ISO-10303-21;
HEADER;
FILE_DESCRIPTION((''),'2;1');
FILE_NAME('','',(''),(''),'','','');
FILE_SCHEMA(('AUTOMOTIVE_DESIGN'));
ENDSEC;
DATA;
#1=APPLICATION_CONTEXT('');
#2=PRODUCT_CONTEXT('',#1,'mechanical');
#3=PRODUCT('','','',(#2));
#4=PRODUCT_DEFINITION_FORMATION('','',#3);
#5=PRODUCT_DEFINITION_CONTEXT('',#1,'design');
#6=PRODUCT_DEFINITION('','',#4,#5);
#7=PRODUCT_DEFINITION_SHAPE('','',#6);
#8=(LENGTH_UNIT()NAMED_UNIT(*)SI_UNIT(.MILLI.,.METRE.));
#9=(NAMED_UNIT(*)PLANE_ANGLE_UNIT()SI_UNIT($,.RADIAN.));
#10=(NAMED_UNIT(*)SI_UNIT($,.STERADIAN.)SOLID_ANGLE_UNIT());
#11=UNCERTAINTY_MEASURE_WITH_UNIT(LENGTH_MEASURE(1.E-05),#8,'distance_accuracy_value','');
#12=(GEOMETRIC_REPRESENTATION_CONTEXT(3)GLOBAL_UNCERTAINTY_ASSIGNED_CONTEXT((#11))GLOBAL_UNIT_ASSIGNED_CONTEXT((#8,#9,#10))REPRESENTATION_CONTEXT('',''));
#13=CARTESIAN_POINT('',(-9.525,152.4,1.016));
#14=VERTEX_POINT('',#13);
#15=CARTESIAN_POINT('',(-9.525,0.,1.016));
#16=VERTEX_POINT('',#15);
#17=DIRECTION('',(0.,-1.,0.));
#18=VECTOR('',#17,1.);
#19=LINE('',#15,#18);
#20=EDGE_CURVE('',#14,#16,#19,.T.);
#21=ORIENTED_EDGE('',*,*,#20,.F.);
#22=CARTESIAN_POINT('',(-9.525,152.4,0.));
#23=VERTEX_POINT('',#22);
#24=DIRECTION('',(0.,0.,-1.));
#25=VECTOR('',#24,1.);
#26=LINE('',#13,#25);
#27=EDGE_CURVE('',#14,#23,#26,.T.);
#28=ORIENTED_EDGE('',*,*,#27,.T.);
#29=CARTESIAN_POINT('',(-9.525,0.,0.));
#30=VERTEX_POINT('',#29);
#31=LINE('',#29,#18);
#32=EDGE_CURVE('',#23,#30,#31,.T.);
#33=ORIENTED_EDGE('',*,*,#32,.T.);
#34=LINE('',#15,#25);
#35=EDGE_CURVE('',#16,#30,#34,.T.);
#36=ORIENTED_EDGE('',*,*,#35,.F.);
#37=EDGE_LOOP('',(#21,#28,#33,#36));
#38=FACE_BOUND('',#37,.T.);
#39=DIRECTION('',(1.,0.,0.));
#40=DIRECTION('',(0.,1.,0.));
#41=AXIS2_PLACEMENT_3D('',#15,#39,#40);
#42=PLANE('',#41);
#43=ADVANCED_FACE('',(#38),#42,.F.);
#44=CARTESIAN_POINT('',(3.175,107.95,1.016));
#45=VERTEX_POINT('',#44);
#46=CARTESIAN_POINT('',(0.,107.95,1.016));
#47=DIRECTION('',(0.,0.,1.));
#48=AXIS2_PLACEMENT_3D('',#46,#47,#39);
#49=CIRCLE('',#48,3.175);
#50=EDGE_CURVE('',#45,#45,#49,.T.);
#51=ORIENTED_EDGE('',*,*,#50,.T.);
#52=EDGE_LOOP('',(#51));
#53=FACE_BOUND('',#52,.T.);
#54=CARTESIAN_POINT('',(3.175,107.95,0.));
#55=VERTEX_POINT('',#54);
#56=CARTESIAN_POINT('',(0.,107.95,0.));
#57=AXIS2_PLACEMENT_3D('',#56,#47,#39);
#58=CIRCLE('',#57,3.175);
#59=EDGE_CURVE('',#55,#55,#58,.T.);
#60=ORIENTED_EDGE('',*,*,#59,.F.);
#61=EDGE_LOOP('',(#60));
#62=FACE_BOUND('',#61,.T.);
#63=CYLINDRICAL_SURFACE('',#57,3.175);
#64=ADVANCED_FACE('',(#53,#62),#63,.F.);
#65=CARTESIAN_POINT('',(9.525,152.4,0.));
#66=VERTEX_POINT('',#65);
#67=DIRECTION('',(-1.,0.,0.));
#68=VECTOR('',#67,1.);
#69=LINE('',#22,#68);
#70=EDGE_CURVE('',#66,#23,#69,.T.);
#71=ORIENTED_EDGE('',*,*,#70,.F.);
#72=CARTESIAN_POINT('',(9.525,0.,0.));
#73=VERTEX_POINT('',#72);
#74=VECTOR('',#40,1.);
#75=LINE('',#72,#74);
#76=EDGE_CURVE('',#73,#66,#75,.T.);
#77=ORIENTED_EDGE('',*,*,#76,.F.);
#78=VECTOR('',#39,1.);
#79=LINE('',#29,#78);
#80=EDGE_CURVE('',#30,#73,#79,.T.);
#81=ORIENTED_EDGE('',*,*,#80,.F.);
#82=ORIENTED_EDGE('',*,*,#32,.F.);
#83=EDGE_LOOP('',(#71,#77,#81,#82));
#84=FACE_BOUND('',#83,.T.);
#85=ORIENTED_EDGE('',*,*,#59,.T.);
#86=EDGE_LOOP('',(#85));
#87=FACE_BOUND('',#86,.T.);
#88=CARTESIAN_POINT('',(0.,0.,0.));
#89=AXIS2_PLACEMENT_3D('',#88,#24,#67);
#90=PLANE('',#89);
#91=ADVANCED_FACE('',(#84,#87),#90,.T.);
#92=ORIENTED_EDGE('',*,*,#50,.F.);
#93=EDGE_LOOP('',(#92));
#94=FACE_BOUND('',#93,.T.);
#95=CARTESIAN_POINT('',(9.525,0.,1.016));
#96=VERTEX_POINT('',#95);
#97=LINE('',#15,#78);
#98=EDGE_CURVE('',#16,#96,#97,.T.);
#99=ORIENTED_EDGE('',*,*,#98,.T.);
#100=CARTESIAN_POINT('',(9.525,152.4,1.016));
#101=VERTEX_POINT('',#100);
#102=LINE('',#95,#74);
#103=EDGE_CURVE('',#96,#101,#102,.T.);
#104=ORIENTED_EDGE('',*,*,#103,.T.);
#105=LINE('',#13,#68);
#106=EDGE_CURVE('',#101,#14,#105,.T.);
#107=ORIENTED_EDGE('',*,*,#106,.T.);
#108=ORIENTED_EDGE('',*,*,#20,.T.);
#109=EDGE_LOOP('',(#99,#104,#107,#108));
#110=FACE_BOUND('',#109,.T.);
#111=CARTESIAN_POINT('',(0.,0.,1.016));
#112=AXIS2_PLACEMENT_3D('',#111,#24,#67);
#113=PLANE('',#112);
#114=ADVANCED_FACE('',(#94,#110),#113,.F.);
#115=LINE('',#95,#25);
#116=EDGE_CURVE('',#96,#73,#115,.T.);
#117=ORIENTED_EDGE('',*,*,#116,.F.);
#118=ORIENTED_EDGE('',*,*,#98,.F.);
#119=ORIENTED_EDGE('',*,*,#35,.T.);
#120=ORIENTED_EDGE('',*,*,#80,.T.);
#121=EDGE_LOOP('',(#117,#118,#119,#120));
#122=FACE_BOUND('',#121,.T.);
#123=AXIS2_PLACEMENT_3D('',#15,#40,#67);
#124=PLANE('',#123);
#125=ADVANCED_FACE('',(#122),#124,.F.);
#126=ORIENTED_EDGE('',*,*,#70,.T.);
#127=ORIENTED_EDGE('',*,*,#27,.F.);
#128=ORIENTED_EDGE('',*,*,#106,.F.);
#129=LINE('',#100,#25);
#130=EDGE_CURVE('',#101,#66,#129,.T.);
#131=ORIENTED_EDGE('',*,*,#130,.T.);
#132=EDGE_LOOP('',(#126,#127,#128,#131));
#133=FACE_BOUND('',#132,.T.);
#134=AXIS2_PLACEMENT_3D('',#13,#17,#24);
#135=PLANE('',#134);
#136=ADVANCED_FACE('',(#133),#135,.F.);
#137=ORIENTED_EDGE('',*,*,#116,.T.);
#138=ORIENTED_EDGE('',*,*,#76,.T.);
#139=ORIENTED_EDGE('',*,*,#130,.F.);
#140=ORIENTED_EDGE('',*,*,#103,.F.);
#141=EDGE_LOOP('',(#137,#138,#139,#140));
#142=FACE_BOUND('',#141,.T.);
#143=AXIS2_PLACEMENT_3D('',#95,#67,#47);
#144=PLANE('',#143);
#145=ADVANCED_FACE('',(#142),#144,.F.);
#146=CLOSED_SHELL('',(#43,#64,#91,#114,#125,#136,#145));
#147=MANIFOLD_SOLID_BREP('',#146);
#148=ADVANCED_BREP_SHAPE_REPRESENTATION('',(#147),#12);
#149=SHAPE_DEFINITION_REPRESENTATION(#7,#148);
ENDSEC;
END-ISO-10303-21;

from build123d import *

# Parameters (mm, degrees)
SKETCH1_W           = 19.05
SKETCH1_H           = 152.4
BOSS_EXTRUDE1_DEPTH = 1.016
SKETCH2_R           = 3.175
CUT_EXTRUDE1_DEPTH  = 2.016


with BuildPart() as part:
    # Sketch1 → Boss-Extrude1 (new body)
    with BuildSketch(Plane.XY):
        with Locations((0, 76.2)):
            Rectangle(SKETCH1_W, SKETCH1_H)
    extrude(amount=BOSS_EXTRUDE1_DEPTH)

    # Sketch2 → Cut-Extrude1 (cut, through all)
    with BuildSketch(Plane.XY.offset(1.016)):
        with Locations((0, 107.95)):
            Circle(SKETCH2_R)
    extrude(amount=-CUT_EXTRUDE1_DEPTH, mode=Mode.SUBTRACT)


solid = part.part
